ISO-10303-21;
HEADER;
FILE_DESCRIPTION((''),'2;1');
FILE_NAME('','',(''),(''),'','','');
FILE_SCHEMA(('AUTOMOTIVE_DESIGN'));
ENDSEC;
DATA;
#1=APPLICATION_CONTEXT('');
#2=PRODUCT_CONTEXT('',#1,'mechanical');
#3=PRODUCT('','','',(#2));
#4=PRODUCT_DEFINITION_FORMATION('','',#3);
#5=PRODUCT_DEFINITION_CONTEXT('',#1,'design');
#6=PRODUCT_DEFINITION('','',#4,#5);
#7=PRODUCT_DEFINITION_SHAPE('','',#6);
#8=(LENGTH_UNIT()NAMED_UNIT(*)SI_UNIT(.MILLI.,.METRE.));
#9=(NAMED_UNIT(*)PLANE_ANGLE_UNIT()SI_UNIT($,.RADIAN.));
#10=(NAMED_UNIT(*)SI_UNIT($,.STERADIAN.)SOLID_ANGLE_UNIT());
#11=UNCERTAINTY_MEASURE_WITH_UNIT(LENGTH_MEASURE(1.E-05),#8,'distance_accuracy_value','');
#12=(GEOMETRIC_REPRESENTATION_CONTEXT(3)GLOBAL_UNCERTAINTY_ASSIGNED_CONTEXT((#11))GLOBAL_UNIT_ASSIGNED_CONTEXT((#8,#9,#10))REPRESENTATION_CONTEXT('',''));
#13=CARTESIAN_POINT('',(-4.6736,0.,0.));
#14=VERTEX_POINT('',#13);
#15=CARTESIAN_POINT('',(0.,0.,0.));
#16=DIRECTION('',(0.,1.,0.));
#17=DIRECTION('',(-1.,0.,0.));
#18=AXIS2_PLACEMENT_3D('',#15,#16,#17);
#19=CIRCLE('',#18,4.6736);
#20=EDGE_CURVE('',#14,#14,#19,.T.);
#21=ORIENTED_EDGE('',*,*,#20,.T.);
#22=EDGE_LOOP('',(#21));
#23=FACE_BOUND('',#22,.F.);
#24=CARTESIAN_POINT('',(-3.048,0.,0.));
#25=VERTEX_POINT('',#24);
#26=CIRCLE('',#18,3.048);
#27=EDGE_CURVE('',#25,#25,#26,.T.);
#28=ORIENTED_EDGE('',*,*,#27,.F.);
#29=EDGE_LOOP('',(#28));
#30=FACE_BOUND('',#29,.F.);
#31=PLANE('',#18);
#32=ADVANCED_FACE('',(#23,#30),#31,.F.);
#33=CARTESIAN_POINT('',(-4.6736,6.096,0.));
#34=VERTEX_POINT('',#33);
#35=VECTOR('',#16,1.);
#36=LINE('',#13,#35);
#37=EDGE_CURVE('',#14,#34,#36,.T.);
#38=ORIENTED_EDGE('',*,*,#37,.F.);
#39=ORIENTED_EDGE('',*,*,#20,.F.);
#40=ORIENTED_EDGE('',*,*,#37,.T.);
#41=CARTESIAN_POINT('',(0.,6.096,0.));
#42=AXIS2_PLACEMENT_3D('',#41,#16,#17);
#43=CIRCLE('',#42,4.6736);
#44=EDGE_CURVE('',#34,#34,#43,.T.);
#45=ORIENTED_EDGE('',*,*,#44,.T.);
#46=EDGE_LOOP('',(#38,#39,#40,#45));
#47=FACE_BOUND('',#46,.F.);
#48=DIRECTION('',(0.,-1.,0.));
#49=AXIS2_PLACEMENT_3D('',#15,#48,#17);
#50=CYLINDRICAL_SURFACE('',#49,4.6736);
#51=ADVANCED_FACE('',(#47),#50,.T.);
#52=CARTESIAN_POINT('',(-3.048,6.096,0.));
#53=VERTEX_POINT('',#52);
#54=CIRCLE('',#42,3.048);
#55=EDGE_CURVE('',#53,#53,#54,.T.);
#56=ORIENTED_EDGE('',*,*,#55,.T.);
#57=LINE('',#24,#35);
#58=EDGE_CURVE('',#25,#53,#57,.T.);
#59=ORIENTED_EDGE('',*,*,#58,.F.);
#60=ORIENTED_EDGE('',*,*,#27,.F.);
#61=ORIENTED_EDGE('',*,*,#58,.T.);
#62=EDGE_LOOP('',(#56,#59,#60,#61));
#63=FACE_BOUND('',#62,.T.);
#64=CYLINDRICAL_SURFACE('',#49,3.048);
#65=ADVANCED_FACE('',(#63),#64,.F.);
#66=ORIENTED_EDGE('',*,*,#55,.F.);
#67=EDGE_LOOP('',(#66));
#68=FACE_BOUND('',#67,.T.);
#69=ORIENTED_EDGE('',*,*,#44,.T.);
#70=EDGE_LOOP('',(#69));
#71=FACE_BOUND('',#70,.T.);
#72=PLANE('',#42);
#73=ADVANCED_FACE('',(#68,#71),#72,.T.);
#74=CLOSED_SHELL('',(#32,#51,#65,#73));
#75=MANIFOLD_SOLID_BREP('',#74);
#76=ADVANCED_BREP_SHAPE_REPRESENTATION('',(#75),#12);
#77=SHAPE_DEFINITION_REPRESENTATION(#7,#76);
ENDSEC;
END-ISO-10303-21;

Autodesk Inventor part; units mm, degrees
ref_plane "YZ Plane" through (0, 0, 0) normal (1, 0, 0) x (0, 1, 0)
ref_plane "XZ Plane" through (0, 0, 0) normal (0, 1, 0) x (-1, 0, 0)
ref_plane "XY Plane" through (0, 0, 0) normal (0, 0, 1) x (1, 0, 0)
sketch "Sketch1" plane through (0, 0, 0) normal (0, 1, 0) x (-1, 0, 0)
  circle A0 centre (0, 0) radius 4.6736
  circle A1 centre (0, 0) radius 3.048
  dimension "d0" = 9.3472
  dimension "d1" = 6.096
extrude "Extrusion1" add sketch "Sketch1" along normal blind 6.096
properties part number "potentiometer wheel"
